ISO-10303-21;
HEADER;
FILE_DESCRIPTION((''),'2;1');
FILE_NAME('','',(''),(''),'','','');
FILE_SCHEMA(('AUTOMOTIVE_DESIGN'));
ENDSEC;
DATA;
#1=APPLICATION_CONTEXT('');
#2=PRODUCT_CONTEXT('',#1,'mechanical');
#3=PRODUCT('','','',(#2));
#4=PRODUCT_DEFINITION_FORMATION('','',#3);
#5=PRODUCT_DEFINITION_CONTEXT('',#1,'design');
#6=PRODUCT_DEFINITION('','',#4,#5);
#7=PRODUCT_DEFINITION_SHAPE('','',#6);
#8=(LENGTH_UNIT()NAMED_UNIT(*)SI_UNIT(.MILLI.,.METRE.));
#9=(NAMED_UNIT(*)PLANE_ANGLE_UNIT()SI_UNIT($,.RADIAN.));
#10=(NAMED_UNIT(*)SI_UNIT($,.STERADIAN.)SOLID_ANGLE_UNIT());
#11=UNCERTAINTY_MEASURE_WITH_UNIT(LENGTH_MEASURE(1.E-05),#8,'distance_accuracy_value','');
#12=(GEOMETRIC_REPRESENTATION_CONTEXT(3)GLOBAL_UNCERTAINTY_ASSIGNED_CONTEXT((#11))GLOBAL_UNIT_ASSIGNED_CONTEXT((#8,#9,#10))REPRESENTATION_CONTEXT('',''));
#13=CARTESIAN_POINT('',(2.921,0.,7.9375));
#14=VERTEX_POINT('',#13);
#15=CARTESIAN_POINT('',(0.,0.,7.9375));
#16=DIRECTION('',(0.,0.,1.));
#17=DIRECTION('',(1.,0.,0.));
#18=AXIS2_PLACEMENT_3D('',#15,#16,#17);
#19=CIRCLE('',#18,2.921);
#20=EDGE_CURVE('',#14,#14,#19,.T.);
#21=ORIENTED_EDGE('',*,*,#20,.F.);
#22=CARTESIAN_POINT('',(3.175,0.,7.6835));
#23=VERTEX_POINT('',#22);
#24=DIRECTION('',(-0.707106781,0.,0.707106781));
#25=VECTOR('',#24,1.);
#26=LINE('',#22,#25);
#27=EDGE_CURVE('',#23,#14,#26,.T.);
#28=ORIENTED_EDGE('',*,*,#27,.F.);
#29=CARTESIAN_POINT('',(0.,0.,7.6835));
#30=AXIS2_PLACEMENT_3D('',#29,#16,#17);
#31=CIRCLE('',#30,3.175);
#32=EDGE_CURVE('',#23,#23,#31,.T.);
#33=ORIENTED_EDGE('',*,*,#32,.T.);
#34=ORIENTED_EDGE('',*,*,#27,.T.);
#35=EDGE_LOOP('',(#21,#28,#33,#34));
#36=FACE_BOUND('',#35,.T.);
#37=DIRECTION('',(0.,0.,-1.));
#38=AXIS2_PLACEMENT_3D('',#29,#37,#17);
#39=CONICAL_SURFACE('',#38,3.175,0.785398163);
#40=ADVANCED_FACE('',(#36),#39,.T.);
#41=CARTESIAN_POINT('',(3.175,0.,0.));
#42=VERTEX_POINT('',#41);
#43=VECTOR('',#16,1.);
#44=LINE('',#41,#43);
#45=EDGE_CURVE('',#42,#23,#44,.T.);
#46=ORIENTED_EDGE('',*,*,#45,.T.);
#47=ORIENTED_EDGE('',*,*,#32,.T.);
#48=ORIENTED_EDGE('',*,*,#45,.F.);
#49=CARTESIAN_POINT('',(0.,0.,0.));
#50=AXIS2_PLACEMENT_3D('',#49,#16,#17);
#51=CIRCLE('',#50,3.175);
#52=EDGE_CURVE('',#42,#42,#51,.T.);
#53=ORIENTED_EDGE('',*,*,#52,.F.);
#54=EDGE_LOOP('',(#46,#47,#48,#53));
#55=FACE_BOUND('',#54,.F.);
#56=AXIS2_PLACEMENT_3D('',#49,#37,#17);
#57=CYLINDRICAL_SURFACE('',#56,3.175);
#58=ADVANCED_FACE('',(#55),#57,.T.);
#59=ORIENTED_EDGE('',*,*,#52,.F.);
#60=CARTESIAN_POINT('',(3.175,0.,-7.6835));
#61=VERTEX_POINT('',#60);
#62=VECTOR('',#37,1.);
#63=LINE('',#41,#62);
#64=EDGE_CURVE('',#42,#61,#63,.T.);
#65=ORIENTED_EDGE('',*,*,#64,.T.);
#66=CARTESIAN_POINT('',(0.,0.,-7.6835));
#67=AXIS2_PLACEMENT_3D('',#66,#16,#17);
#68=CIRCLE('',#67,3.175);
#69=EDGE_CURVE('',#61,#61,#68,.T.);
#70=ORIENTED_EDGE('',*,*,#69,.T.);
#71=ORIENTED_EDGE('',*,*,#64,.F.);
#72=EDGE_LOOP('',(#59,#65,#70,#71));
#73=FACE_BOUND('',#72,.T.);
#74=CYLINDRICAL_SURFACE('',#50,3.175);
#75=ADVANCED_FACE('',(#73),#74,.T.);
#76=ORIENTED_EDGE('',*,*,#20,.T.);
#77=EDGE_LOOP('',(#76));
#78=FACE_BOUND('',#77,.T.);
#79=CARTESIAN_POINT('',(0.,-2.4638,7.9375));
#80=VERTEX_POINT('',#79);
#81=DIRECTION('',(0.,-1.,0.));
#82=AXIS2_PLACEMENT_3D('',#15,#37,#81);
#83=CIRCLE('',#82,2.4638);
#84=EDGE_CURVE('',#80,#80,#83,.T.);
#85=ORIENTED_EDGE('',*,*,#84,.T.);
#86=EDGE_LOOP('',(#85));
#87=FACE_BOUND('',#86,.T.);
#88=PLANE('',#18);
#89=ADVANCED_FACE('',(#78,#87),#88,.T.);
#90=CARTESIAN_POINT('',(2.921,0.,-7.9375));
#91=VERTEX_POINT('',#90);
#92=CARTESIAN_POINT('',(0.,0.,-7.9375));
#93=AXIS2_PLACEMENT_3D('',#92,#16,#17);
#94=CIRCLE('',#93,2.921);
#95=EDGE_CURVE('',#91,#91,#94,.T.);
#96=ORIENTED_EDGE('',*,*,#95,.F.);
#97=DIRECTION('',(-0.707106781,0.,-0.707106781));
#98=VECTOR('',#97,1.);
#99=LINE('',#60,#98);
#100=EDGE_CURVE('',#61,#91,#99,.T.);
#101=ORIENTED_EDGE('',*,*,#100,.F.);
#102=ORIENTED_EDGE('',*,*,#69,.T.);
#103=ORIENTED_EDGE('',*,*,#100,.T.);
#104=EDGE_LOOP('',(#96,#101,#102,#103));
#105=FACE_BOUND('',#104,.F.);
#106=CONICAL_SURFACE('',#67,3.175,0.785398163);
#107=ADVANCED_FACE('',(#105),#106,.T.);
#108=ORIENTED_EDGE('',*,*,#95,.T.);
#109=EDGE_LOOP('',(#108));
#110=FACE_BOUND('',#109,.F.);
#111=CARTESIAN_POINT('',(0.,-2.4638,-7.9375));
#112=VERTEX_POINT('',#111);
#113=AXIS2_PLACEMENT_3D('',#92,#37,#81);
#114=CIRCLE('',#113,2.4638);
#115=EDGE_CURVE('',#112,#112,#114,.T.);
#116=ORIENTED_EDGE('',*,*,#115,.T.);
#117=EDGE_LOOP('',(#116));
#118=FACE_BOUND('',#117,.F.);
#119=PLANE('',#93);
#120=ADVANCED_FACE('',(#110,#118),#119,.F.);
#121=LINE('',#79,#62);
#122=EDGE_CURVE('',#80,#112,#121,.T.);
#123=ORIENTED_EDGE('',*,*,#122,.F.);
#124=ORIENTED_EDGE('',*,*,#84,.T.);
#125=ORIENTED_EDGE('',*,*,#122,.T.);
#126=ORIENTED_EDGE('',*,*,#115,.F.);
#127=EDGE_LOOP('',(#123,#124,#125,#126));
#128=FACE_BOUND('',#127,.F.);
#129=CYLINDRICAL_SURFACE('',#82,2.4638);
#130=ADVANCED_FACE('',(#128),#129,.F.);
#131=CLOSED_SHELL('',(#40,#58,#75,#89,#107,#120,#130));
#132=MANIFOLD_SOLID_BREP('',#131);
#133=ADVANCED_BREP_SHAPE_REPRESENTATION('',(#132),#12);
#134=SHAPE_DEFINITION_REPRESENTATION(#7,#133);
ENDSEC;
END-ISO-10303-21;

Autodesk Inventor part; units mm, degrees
ref_plane "YZ Plane" through (0, 0, 0) normal (1, 0, 0) x (0, 1, 0)
ref_plane "XZ Plane" through (0, 0, 0) normal (0, 1, 0) x (-1, 0, 0)
ref_plane "XY Plane" through (0, 0, 0) normal (0, 0, 1) x (1, 0, 0)
sketch "Sketch1" plane through (0, 0, 0) normal (0, 0, 1) x (1, 0, 0)
  circle A0 centre (0, 0) radius 3.175
  dimension "d0" = 6.35
extrude "Extrusion1" add sketch "Sketch1" along normal mid plane 15.875
sketch "Sketch2" plane through (0, 0, 7.9375) normal (0, 0, 1) x (1, 0, 0)
  circle A0 centre (0, 0) radius 3.175 projected
hole "Hole1" at (0, 0, 7.9375) direction (0, 0, -1) diameter 4.9276 end through all
chamfer "Chamfer1" distance 0.254 angle 45 2 edges at (-3.175, 0, 7.9375) (-3.175, 0, -7.9375)
properties part number "Elevator Cascade Pulley Bearing Spacer" material "Aluminum"
